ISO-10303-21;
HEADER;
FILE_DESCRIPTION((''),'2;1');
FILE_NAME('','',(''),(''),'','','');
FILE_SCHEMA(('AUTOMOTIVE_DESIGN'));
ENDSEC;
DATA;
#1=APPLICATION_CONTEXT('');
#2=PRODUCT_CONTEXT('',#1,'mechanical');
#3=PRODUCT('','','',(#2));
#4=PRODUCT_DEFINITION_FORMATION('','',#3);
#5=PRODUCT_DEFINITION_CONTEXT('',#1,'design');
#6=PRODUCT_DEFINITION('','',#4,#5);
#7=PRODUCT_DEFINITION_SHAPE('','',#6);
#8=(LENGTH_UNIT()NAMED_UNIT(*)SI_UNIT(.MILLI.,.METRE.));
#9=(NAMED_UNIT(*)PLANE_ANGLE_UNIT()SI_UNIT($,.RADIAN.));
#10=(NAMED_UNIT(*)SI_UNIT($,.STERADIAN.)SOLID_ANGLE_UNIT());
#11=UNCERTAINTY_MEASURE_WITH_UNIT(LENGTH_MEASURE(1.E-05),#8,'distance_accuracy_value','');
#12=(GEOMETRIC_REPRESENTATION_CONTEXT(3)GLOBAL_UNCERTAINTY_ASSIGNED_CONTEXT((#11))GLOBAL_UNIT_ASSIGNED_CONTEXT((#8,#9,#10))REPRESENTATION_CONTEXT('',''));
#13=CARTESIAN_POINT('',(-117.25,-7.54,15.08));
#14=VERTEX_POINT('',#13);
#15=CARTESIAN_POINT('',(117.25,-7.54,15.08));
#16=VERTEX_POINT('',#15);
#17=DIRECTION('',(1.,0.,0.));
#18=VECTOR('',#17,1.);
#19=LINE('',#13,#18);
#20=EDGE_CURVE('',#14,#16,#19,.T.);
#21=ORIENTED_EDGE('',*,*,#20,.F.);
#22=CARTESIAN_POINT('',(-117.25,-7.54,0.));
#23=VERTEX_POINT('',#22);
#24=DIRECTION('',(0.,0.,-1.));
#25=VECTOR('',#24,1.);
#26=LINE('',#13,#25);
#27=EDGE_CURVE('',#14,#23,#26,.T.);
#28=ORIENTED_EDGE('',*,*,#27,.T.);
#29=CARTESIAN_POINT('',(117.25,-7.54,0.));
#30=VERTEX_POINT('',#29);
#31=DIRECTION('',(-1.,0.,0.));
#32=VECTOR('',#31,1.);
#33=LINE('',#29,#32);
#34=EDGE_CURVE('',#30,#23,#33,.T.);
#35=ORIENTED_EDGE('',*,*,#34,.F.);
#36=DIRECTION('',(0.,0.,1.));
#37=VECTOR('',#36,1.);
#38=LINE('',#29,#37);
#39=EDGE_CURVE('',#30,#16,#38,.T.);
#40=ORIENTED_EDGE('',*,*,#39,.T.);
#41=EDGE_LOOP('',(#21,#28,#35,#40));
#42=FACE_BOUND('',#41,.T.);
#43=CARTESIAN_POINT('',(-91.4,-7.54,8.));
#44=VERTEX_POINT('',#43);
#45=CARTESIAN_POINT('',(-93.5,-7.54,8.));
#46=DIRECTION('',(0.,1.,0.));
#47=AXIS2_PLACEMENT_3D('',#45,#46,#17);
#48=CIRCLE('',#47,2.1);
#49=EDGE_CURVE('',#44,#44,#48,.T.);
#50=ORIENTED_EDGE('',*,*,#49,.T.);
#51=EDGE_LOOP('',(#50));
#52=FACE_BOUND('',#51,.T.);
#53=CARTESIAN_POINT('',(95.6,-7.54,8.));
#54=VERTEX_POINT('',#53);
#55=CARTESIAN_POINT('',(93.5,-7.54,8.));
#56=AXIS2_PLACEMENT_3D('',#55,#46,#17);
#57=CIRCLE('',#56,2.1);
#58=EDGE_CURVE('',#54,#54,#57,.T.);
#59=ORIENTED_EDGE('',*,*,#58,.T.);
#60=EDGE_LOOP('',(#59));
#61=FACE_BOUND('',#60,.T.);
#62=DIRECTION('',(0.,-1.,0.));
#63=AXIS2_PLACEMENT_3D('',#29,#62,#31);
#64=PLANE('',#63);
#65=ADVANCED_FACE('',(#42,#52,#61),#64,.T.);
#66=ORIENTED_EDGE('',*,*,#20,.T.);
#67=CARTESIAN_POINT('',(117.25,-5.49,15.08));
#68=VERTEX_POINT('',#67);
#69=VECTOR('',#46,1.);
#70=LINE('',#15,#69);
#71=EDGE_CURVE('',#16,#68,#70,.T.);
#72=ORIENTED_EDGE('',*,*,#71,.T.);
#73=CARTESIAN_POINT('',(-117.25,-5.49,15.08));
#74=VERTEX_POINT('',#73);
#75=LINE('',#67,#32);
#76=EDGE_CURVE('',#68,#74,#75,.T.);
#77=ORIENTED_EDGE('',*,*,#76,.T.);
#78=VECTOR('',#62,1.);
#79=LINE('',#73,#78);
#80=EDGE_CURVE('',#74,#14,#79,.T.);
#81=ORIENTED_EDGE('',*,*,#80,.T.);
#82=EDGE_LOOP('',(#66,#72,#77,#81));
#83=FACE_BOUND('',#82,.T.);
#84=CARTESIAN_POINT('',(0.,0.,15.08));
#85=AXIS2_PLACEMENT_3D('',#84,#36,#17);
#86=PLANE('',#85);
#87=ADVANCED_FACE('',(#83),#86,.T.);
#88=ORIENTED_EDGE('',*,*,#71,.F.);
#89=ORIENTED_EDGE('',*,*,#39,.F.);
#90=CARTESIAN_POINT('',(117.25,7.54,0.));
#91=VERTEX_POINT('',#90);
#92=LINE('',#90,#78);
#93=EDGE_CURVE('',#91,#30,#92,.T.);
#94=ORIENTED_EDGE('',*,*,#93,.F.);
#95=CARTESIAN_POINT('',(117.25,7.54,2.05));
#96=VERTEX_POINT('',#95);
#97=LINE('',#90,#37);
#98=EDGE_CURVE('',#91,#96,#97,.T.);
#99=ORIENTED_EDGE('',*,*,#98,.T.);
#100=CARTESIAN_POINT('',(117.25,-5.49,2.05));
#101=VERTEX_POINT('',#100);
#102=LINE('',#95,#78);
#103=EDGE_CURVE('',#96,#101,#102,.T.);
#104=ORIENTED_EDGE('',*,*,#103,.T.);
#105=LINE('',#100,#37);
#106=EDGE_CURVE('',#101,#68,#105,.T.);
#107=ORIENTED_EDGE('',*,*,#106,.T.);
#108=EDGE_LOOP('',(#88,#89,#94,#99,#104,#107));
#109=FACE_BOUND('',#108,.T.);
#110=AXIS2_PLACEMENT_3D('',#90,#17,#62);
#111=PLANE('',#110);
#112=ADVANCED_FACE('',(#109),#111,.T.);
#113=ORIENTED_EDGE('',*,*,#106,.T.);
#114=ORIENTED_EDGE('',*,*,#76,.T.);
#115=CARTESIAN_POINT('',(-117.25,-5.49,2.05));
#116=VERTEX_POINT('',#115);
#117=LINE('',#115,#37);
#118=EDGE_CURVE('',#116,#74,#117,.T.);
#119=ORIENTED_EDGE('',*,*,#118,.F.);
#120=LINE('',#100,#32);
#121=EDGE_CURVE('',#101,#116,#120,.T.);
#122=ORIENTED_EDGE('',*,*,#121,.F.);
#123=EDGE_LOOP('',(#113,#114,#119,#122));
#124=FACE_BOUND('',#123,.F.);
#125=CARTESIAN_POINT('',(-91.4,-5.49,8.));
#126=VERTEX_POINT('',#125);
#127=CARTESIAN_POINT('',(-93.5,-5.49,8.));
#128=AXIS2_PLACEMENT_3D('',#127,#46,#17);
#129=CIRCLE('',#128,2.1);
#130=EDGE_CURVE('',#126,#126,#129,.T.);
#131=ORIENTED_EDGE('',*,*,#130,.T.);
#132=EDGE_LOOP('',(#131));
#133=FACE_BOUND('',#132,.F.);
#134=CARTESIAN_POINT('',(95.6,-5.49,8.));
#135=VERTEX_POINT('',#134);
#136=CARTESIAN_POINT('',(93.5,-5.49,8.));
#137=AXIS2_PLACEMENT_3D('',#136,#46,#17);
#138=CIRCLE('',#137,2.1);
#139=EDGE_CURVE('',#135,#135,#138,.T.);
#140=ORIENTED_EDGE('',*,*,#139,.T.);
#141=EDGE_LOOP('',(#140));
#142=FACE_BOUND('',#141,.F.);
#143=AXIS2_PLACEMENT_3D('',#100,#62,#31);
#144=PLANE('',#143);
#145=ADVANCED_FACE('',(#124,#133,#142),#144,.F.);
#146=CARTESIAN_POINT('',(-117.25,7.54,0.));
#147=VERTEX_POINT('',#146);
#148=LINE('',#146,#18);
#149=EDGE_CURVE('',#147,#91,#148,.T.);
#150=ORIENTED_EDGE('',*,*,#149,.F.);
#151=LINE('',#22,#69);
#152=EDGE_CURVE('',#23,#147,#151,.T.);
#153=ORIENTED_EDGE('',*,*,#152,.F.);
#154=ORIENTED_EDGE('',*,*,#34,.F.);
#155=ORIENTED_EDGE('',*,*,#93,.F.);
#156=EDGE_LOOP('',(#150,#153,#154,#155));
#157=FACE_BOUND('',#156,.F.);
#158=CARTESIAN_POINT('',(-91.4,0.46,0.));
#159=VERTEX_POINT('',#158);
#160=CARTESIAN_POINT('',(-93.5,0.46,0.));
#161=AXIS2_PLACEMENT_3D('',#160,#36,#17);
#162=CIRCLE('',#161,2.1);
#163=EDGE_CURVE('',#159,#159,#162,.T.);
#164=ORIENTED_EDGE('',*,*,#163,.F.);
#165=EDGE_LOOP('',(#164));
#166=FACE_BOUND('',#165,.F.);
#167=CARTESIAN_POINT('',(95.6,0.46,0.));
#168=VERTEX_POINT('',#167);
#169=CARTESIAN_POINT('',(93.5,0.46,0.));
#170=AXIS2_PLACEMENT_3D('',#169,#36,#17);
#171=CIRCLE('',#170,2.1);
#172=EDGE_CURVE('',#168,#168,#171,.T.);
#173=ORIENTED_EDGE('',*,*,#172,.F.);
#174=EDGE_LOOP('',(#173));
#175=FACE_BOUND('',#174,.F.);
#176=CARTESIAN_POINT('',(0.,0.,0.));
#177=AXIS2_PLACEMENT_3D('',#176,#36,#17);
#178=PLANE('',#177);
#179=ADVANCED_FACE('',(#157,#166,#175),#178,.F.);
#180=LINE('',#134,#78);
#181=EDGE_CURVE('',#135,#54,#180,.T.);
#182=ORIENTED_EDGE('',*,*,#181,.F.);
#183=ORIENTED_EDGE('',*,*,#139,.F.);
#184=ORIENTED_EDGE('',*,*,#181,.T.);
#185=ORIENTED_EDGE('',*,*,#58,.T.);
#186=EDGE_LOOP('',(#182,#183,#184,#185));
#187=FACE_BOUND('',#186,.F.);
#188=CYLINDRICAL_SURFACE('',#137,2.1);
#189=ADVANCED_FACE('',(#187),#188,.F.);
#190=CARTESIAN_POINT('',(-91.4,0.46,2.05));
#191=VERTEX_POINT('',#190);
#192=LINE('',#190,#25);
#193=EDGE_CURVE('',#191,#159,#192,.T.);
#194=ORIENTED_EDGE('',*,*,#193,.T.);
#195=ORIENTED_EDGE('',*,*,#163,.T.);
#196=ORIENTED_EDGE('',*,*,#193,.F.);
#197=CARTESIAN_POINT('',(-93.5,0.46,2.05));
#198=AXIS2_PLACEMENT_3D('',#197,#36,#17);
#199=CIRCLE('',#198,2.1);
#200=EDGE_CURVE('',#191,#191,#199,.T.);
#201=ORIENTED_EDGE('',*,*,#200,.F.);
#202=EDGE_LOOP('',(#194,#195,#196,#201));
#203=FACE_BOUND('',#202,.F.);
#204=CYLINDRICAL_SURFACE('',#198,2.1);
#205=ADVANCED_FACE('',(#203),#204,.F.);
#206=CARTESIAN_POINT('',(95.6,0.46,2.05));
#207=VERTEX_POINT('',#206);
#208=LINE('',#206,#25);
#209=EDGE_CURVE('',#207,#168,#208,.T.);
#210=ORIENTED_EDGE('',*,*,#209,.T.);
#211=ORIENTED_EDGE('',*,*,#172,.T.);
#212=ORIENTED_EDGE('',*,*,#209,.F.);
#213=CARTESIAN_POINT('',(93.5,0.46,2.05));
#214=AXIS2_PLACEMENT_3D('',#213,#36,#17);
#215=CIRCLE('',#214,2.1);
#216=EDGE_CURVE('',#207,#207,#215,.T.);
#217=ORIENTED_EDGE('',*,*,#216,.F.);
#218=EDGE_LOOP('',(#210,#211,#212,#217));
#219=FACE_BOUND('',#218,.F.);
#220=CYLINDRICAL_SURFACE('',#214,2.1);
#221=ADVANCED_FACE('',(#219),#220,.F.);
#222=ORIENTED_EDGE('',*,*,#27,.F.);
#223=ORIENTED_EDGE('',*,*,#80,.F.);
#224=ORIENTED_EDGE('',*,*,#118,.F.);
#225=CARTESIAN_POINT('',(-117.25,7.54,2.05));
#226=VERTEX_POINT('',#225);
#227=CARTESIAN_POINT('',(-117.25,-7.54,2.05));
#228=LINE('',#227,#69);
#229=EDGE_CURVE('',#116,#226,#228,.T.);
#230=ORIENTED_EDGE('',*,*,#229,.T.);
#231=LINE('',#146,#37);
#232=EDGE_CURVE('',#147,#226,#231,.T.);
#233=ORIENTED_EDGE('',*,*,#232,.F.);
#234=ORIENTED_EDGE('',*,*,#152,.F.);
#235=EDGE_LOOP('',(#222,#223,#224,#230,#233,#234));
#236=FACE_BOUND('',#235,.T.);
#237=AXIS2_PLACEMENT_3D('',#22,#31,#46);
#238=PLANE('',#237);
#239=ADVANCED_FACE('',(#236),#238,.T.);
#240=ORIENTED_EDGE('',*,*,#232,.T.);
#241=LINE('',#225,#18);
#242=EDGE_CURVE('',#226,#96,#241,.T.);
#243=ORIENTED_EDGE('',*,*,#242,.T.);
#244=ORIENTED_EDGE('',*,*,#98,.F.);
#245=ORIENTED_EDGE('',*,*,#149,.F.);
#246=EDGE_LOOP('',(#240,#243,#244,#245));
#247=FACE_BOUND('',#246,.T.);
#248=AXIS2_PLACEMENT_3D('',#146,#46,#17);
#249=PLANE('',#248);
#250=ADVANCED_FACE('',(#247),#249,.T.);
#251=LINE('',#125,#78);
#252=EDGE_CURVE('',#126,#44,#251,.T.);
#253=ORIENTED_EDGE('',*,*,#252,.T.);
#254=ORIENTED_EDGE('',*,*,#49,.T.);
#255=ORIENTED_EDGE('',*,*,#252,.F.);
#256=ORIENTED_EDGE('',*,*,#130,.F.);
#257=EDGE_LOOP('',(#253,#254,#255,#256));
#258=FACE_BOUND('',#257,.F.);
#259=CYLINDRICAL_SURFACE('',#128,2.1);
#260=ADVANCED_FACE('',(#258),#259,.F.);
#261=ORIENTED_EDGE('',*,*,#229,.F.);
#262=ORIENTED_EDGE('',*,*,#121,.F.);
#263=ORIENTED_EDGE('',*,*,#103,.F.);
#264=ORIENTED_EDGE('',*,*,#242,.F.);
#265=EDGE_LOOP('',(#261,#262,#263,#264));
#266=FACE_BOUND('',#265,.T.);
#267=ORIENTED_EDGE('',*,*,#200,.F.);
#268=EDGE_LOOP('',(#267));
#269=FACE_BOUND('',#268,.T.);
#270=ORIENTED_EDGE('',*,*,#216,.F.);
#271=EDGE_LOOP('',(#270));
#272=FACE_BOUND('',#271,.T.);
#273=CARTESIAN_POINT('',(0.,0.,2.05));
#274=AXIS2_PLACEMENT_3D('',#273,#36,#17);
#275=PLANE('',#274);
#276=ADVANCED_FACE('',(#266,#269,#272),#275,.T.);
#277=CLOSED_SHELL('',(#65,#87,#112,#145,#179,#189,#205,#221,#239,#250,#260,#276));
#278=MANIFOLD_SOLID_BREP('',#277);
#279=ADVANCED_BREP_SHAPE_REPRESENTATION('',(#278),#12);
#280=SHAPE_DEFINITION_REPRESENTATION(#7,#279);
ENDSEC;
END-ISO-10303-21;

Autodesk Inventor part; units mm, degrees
ref_plane "YZ Plane" through (0, 0, 0) normal (1, 0, 0) x (0, 1, 0)
ref_plane "XZ Plane" through (0, 0, 0) normal (0, 1, 0) x (-1, 0, 0)
ref_plane "XY Plane" through (0, 0, 0) normal (0, 0, 1) x (1, 0, 0)
sketch "Sketch1" plane through (0, 0, 0) normal (0, 0, 1) x (1, 0, 0)
  line L0 (117.25, -7.54) -> (-117.25, -7.54)
  line L1 (-117.25, -7.54) -> (-117.25, 7.54)
  line L2 (-117.25, 7.54) -> (117.25, 7.54)
  line L3 (117.25, 7.54) -> (117.25, -7.54)
  line L4 (117.25, -7.54) -> (-117.25, 7.54) construction
  line L5 (-117.25, -7.54) -> (117.25, 7.54) construction
  point P0 (0, 0)
  dimension "d0" = 234.5
  dimension "d1" = 15.08
extrude "Extrusion1" add sketch "Sketch1" along normal blind 2.05
sketch "Sketch2" plane through (0, 0, 2.05) normal (0, 0, 1) x (1, 0, 0)
  line L0 (-117.25, -7.54) -> (117.25, -7.54) projected
  line L1 (117.25, -7.54) -> (117.25, 7.54) projected
  line L2 (-117.25, -7.54) -> (117.25, -7.54)
  line L3 (117.25, -7.54) -> (117.25, -5.49)
  line L4 (117.25, -5.49) -> (-117.25, -5.49)
  line L5 (-117.25, -5.49) -> (-117.25, -7.54)
  point P0 (0, 0)
  dimension "d4" = 2.05
extrude "Extrusion2" add sketch "Sketch2" along normal blind 13.03
sketch "Sketch3" plane through (-117.25, -5.49, 2.05) normal (0, 1, 0) x (1, 0, 0)
  circle A0 centre (23.75, -5.95) radius 2.1
  circle A1 centre (210.75, -5.95) radius 2.1
  line L0 (117.25, 2.05) -> (117.25, -13.2508)
  line L1 (0, 2.05) -> (234.5, 2.05) projected
  dimension "d7" = 93.5
  dimension "d8" = 93.5
  dimension "d9" = 8
  dimension "d10" = 8
  dimension "d13" = 4.2
  dimension "d14" = 4.2
extrude "Extrusion3" cut sketch "Sketch3" against normal blind 2.05
sketch "Sketch4" plane through (0, 0, 2.05) normal (0, 0, 1) x (1, 0, 0)
  circle A0 centre (-93.5, 0.46) radius 2.1
  circle A1 centre (93.5, 0.46) radius 2.1
  line L0 (-117.25, -7.54) -> (117.25, -7.54) projected
  point P0 (0, 0)
  dimension "d15" = 4.2
  dimension "d16" = 4.2
  dimension "d17" = 8
  dimension "d18" = 93.5
  dimension "d19" = 93.5
  dimension "d20" = 8
extrude "Extrusion4" cut sketch "Sketch4" against normal blind 2.05
properties part number "L"
